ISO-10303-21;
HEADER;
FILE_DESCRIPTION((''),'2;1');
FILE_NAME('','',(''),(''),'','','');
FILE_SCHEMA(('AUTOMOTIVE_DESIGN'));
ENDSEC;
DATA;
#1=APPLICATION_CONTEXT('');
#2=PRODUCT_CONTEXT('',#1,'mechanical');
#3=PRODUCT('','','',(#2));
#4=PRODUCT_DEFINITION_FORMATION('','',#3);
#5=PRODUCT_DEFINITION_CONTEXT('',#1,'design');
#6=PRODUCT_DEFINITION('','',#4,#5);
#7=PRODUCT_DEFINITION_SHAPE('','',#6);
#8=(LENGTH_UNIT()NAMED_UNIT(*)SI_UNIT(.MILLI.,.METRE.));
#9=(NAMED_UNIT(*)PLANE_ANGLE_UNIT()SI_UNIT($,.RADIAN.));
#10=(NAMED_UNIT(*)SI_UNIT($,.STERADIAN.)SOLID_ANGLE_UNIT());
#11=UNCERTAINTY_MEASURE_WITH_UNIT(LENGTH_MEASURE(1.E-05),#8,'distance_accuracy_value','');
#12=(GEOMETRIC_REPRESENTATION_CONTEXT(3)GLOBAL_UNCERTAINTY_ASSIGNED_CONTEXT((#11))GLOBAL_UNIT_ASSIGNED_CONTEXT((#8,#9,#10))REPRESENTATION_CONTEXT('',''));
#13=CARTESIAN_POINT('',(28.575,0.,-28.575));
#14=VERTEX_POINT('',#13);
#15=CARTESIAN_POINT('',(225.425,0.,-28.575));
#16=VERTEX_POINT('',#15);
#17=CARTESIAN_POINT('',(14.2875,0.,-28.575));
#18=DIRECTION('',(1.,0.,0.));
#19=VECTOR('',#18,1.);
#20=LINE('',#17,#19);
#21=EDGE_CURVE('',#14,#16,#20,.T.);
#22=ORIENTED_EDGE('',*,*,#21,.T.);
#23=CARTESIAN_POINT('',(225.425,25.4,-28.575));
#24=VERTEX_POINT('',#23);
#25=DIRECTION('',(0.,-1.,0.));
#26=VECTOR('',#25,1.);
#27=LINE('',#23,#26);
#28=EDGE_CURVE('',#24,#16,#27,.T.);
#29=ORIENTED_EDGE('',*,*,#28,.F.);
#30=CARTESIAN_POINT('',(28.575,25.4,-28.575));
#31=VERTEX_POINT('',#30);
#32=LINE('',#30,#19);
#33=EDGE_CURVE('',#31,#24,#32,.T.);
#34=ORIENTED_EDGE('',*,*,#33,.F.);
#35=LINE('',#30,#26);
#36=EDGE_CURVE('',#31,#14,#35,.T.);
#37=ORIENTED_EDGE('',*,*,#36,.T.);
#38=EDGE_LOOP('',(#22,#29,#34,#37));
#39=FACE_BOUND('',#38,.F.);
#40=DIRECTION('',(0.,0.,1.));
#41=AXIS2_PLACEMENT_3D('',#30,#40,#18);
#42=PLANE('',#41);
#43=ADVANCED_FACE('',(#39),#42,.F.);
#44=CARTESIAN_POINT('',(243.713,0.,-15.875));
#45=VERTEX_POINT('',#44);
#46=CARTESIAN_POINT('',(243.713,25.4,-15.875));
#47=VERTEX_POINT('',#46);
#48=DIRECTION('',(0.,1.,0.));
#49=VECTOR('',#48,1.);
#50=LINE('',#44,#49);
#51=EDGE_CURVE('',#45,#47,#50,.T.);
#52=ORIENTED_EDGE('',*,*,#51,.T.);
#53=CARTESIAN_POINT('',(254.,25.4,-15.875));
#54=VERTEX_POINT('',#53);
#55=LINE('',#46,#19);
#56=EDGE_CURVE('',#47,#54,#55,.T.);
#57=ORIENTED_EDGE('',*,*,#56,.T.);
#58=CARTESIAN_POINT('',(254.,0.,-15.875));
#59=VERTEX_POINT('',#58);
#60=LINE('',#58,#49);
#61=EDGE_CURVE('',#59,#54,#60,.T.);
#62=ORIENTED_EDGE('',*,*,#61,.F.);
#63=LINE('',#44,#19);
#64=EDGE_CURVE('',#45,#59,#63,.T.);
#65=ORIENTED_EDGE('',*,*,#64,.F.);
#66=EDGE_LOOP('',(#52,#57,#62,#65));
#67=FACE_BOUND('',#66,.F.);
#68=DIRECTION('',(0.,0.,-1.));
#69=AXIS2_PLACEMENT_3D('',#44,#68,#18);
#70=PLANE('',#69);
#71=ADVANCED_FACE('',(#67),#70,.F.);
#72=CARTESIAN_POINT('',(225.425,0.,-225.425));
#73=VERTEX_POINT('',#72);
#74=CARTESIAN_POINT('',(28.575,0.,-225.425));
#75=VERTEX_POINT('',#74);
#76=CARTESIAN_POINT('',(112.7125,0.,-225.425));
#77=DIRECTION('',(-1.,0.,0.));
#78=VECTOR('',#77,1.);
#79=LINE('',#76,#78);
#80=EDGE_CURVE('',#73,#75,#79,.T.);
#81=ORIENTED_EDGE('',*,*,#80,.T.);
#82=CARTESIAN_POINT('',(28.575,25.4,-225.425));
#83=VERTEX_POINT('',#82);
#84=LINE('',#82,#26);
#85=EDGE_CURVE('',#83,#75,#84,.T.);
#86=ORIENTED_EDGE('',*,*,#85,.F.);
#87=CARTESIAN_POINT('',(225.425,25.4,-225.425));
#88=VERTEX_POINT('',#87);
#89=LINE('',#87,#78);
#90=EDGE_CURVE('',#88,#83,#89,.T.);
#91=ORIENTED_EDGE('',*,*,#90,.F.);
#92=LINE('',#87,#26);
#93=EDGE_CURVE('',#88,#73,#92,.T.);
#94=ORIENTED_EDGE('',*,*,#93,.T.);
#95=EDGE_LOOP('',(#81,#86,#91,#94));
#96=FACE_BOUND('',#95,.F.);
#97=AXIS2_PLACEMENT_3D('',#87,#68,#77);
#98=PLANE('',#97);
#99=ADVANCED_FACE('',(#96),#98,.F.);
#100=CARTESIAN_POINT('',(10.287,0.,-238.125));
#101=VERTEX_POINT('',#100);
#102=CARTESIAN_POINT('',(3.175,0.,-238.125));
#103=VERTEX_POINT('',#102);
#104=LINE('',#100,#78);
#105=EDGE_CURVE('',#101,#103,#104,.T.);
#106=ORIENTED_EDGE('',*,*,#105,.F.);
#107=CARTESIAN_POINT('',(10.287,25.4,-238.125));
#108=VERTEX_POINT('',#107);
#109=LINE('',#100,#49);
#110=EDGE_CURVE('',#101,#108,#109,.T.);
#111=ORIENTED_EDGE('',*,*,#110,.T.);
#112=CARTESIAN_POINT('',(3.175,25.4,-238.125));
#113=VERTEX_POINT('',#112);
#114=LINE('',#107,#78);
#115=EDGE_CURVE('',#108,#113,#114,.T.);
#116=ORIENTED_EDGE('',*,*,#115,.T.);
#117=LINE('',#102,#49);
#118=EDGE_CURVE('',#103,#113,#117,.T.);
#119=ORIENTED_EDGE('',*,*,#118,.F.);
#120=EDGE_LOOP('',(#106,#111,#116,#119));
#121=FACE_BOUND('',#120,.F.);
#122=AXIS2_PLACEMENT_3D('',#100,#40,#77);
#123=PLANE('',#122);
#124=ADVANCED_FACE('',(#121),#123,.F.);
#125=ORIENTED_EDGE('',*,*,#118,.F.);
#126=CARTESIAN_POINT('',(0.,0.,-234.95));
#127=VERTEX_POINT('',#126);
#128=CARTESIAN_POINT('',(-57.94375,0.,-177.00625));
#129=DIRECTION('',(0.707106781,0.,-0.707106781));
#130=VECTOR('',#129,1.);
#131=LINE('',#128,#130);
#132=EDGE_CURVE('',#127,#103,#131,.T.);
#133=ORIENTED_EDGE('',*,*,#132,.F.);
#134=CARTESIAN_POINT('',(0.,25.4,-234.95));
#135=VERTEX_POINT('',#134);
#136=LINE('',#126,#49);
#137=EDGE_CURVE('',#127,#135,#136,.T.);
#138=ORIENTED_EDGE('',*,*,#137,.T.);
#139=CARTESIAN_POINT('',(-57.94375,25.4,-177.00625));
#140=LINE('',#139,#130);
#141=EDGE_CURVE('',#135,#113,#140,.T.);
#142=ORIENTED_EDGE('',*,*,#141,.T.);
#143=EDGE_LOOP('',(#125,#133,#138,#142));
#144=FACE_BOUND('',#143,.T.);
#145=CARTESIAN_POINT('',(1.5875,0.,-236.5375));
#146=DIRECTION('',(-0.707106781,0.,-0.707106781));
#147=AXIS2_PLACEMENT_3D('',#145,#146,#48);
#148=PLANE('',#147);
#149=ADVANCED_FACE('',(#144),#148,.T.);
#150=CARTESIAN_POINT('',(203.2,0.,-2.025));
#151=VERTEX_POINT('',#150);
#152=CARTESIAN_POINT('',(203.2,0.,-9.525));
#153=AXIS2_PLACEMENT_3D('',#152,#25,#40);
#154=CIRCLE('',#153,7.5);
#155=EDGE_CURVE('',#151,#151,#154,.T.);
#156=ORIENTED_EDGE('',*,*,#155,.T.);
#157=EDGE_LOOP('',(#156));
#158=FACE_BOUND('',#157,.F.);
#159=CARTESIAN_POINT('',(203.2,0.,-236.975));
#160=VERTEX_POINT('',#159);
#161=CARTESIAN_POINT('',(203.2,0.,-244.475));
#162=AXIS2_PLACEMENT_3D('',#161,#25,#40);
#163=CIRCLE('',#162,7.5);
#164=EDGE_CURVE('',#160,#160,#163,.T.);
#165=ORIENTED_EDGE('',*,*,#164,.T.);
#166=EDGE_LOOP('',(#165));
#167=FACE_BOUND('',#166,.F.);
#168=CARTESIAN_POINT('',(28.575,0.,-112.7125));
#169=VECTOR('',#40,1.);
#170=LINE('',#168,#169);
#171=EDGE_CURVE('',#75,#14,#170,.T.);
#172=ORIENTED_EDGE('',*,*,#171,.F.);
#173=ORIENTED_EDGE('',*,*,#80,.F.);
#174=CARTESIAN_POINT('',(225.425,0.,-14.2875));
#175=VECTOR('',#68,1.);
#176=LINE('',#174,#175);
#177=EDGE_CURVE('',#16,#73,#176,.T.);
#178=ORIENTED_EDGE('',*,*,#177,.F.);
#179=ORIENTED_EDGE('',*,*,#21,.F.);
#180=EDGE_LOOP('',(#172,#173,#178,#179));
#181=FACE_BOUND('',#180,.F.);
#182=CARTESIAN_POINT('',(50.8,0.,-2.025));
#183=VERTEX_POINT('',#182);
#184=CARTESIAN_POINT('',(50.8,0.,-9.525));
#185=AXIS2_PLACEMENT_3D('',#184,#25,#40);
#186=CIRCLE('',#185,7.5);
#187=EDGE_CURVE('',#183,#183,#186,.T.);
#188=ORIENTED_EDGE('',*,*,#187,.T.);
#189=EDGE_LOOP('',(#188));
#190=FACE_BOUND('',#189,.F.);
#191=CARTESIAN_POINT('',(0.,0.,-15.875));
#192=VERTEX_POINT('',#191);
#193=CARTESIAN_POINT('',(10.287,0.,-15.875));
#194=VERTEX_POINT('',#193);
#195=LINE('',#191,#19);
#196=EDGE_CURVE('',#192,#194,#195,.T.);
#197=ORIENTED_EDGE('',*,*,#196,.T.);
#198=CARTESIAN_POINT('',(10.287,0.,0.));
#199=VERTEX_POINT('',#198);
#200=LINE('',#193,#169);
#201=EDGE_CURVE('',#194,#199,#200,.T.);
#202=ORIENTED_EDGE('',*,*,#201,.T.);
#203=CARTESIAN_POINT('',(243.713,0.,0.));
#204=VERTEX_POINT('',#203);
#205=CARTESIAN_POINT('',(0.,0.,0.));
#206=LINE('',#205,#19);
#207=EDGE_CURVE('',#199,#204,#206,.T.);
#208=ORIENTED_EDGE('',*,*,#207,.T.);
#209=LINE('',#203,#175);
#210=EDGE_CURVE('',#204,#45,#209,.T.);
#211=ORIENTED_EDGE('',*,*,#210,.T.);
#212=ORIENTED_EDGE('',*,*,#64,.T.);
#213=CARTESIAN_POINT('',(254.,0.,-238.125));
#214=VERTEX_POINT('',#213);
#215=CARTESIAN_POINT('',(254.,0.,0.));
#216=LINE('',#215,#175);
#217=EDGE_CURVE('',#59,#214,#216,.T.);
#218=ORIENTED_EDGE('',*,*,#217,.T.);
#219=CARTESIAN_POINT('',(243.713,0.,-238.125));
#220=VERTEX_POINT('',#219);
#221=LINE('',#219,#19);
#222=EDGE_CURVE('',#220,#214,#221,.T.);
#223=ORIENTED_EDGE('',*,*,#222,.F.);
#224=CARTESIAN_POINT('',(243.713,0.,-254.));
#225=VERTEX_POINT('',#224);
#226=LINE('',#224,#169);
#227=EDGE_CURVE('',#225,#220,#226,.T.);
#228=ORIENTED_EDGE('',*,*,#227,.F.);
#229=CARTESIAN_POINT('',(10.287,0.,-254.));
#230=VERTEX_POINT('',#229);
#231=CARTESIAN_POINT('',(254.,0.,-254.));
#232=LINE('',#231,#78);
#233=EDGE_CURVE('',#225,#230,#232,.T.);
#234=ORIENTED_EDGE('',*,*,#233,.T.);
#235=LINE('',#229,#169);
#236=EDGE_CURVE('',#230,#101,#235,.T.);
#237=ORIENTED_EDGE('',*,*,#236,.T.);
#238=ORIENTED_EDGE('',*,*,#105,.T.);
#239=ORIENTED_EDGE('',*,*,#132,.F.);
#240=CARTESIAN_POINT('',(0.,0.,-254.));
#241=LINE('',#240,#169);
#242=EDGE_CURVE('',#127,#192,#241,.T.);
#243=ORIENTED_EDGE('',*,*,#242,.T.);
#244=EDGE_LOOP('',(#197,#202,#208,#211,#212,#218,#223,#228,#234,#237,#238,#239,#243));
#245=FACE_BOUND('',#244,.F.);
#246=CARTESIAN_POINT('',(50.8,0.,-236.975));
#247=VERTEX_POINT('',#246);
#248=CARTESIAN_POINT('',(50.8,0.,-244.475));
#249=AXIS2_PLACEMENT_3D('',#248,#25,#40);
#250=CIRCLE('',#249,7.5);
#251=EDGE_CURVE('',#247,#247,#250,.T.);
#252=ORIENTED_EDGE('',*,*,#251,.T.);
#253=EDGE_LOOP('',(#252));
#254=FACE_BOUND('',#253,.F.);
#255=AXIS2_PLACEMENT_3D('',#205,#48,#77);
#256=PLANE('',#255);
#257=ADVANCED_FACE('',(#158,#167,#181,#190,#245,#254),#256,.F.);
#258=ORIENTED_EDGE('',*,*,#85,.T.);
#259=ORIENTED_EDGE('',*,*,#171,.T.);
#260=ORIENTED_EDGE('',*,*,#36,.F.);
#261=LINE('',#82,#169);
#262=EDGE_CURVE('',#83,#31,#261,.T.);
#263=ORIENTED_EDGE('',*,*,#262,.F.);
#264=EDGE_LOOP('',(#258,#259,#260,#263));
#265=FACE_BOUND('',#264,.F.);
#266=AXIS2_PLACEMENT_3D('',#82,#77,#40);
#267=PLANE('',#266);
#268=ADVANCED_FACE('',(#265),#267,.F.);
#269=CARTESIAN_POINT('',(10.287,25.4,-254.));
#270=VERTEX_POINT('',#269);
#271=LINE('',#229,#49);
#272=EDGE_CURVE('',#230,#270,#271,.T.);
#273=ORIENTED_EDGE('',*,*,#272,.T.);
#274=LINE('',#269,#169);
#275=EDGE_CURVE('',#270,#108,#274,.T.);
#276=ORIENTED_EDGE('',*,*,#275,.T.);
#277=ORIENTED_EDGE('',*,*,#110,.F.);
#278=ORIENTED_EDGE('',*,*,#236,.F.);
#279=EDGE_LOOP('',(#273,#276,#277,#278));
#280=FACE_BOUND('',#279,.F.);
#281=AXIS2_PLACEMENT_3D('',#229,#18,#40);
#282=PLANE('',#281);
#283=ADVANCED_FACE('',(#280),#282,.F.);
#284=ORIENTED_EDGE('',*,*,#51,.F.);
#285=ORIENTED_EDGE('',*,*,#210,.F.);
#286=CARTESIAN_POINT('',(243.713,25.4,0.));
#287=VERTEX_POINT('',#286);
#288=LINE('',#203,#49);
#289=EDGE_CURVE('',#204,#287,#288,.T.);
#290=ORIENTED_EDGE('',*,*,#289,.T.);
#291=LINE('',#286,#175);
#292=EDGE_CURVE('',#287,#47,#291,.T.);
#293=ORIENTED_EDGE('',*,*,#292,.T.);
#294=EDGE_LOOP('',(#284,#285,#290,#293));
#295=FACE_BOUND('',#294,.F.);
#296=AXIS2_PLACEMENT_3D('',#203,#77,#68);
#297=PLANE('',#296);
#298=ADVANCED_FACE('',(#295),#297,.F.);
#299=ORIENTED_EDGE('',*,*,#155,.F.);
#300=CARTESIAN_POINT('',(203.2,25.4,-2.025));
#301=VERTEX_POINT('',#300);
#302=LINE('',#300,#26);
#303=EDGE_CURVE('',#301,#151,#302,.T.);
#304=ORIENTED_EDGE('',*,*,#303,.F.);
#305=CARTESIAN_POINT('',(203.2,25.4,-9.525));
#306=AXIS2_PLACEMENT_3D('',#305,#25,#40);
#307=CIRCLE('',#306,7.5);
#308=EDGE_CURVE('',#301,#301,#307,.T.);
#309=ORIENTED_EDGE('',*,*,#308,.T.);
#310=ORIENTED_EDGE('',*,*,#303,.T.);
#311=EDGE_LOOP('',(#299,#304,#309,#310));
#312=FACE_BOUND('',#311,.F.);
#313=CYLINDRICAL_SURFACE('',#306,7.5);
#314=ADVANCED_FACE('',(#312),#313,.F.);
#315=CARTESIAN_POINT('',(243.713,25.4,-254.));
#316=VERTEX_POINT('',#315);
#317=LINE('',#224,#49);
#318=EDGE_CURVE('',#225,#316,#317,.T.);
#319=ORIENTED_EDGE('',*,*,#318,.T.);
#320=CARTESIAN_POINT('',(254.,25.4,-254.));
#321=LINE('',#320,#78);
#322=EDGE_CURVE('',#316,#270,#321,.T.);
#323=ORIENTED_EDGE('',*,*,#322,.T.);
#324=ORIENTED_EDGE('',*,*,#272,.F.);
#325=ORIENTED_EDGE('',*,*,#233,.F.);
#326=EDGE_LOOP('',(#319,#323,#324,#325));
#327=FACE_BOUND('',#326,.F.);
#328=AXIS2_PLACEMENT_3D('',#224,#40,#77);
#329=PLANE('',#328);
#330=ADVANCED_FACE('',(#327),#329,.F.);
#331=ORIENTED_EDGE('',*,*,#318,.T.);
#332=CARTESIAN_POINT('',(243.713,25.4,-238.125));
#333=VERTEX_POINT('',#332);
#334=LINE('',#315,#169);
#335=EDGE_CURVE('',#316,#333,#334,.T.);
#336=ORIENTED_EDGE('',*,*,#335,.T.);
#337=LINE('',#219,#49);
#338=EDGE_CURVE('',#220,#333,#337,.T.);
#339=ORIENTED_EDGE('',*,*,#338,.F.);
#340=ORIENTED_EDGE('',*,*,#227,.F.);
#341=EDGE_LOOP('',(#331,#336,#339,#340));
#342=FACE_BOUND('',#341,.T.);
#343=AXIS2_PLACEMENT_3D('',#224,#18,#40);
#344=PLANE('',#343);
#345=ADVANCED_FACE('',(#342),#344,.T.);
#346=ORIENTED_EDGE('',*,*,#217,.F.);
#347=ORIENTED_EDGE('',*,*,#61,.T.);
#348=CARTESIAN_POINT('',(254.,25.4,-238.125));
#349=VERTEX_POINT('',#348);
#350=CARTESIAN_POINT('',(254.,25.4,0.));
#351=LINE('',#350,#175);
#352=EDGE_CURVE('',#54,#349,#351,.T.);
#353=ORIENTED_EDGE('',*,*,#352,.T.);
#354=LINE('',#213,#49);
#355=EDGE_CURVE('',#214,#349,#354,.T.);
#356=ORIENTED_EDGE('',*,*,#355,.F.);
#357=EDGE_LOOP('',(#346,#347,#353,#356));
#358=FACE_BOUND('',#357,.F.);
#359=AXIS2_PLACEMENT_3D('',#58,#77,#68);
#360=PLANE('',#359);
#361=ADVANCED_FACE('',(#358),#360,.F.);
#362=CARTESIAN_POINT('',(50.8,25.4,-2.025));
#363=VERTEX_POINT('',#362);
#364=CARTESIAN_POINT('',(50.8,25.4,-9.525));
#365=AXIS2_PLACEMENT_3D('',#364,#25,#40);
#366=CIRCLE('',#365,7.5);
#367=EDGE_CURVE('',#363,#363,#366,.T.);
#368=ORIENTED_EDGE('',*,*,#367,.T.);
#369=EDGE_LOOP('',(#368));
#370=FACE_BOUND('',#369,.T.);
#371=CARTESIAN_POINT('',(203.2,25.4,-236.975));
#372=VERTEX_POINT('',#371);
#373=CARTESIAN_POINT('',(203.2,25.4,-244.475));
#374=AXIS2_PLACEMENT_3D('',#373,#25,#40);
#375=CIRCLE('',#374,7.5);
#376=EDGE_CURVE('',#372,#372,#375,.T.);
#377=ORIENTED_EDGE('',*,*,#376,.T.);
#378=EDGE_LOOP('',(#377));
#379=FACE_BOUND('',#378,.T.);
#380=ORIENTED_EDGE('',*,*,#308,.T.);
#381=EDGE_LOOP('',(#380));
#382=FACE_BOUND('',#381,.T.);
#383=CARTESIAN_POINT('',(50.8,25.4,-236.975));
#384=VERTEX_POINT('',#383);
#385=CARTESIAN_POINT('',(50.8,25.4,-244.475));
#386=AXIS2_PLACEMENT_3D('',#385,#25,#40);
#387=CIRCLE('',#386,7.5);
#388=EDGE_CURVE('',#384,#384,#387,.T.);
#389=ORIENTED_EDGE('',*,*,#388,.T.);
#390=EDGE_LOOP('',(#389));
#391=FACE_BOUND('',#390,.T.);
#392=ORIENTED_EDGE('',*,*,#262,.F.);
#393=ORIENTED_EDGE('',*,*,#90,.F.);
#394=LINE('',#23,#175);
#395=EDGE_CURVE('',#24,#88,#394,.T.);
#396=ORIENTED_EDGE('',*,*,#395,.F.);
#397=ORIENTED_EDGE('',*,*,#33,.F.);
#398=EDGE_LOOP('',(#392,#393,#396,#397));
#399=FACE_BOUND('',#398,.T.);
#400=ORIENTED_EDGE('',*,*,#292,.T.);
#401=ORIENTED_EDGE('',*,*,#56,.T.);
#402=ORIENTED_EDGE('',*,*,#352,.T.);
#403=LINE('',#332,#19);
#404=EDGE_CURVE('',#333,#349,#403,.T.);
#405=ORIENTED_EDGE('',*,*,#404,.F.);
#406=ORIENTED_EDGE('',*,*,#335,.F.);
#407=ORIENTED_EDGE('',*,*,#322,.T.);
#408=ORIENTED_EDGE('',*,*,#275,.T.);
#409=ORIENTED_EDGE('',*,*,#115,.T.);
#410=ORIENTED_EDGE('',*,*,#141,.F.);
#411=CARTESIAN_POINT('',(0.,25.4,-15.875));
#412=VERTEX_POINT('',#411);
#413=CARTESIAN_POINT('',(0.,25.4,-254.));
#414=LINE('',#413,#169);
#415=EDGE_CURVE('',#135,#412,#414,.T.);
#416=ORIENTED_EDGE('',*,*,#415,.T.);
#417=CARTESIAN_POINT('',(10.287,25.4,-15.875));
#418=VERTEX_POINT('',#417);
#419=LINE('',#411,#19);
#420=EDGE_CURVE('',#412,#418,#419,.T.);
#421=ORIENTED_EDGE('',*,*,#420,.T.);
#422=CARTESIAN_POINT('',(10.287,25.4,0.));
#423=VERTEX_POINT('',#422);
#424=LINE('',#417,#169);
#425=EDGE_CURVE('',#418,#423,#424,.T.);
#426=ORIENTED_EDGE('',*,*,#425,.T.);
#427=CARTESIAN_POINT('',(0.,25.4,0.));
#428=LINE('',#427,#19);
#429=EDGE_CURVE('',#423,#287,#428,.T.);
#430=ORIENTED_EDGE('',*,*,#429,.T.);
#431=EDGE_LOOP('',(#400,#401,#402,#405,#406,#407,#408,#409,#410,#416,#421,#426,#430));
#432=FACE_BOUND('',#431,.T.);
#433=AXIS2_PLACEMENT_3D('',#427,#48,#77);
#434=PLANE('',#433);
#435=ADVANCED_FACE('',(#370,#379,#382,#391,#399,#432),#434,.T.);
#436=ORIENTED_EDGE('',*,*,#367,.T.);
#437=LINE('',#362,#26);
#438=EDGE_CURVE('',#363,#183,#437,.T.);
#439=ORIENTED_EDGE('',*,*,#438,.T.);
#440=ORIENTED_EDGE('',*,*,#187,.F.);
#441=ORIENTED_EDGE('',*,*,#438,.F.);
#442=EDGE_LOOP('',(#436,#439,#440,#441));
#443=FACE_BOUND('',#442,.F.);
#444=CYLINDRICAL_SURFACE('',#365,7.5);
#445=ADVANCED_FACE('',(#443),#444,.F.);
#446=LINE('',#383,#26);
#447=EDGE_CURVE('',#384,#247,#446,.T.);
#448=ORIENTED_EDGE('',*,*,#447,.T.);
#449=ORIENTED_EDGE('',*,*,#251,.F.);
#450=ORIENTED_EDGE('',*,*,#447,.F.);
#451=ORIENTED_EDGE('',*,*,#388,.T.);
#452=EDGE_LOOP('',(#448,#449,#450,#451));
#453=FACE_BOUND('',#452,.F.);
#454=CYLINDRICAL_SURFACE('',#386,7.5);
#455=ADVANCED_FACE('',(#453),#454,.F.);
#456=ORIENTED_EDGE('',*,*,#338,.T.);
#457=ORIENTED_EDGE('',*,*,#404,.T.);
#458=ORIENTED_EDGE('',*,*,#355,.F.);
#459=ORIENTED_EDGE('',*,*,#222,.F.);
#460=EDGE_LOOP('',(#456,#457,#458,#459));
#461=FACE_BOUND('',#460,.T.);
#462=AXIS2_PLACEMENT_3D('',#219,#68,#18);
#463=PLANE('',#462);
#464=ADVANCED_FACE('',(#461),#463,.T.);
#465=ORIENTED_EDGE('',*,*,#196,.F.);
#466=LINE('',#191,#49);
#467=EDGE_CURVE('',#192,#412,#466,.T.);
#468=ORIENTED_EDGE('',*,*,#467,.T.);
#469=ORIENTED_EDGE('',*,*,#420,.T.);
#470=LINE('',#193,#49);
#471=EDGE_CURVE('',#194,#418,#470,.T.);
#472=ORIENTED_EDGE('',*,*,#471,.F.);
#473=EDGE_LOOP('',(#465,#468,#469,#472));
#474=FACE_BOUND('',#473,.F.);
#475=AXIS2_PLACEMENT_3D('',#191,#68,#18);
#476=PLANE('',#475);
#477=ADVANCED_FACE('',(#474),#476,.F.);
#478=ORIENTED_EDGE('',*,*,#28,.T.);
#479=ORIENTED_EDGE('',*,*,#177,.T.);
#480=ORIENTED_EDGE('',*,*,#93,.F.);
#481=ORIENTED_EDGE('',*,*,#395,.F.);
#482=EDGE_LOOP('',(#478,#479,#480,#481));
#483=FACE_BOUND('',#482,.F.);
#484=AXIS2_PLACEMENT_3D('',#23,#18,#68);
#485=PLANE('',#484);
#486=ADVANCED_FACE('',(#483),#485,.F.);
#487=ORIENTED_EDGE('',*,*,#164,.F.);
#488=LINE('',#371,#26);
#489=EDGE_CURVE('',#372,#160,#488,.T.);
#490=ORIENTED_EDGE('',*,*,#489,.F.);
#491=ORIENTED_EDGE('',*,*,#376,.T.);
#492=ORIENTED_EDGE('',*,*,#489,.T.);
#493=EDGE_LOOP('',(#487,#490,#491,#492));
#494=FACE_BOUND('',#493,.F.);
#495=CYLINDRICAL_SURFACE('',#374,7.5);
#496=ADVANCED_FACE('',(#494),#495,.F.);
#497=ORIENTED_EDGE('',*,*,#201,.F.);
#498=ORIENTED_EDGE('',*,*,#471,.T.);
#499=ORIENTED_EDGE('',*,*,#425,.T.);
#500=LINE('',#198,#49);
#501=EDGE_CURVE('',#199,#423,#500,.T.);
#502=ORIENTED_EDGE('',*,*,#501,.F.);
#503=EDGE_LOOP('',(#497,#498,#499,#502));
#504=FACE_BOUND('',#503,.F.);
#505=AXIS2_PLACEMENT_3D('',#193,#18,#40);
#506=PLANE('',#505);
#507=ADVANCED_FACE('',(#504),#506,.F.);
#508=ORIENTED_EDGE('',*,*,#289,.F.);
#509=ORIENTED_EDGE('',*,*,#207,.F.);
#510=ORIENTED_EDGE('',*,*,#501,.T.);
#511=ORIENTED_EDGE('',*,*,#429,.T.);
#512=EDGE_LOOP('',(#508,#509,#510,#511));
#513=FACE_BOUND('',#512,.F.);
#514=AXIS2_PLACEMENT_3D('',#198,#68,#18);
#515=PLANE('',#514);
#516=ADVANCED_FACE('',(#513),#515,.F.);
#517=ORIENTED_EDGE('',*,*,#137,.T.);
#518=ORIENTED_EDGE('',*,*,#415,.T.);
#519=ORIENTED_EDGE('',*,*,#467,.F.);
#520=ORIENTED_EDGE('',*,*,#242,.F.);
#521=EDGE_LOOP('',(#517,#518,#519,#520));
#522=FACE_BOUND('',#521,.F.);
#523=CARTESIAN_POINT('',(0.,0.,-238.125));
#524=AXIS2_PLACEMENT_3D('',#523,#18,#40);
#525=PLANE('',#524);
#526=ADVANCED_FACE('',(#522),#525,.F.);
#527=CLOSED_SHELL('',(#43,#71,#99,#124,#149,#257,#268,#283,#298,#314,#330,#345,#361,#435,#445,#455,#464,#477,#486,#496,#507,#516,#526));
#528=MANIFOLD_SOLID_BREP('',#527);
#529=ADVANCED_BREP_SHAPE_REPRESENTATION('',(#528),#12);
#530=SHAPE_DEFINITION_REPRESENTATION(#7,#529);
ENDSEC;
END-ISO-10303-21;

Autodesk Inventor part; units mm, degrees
ref_plane "YZ Plane" through (0, 0, 0) normal (1, 0, 0) x (0, 1, 0)
ref_plane "XZ Plane" through (0, 0, 0) normal (0, 1, 0) x (-1, 0, 0)
ref_plane "XY Plane" through (0, 0, 0) normal (0, 0, 1) x (1, 0, 0)
sketch "Sketch1" plane through (0, 0, 0) normal (0, 1, 0) x (-1, 0, 0)
  line L0 (0, 0) -> (-254, 0)
  line L1 (-254, 0) -> (-254, -254)
  line L2 (-254, -254) -> (0, -254)
  line L3 (0, -254) -> (0, 0)
  line L4 (0, -15.875) -> (-10.287, -15.875)
  line L5 (-10.287, -15.875) -> (-10.287, 0)
  line L6 (-243.713, 0) -> (-243.713, -15.875)
  line L7 (-243.713, -15.875) -> (-254, -15.875)
  line L8 (-243.713, -254) -> (-243.713, -238.125)
  line L9 (-243.713, -238.125) -> (-254, -238.125)
  line L10 (-10.287, -254) -> (-10.287, -238.125)
  line L11 (-10.287, -238.125) -> (0, -238.125)
  dimension "d0" = 254
  dimension "d1" = 254
  dimension "d13" = 10.287
  dimension "d14" = 10.287
  dimension "d15" = 15.875
  dimension "d16" = 15.875
extrude "Extrusion1" add sketch "Sketch1" along normal blind 25.4 contours L5 L4 L3 L11 L10 L2 L8 L9 L1 L7 L6 L0
sketch "Sketch2" plane through (0, 25.4, 0) normal (0, 1, 0) x (1, 0, 0)
  line L0 (28.575, 28.575) -> (225.425, 28.575)
  line L1 (225.425, 28.575) -> (225.425, 225.425)
  line L2 (225.425, 225.425) -> (28.575, 225.425)
  line L3 (28.575, 225.425) -> (28.575, 28.575)
  line L4 (0, 15.875) -> (10.287, 15.875) projected
  line L5 (10.287, 15.875) -> (10.287, 0) projected
  line L6 (10.287, 0) -> (243.713, 0) projected
  line L7 (243.713, 0) -> (243.713, 15.875) projected
  line L8 (243.713, 15.875) -> (254, 15.875) projected
  line L9 (254, 15.875) -> (254, 238.125) projected
  line L10 (254, 238.125) -> (243.713, 238.125) projected
  line L11 (243.713, 238.125) -> (243.713, 254) projected
  line L12 (243.713, 254) -> (10.287, 254) projected
  line L13 (10.287, 254) -> (10.287, 238.125) projected
  line L14 (10.287, 238.125) -> (0, 238.125) projected
  line L15 (0, 238.125) -> (0, 15.875) projected
  point P0 (0, 0)
  point P1 (127, 28.575)
  point P2 (127, 0)
  point P3 (28.575, 127)
  point P4 (0, 127)
  dimension "d9" = 196.85
  dimension "d10" = 196.85
extrude "Extrusion2" cut sketch "Sketch2" against normal through all contours L3 L2 L1 L0
sketch "Sketch3" plane through (0, 25.4, 0) normal (0, 1, 0) x (1, 0, 0)
  circle A0 centre (50.8, 9.525) radius 7.5 projected
  circle A1 centre (50.8, 244.475) radius 7.5 projected
  circle A2 centre (203.2, 244.475) radius 4 projected
  circle A3 centre (203.2, 244.475) radius 7.5 projected
  circle A4 centre (203.2, 9.525) radius 7.5 projected
  point P0 (0, 0)
hole "Hole1" at (50.8, 25.4, -9.525) at (50.8, 25.4, -244.475) at (203.2, 25.4, -9.525) at (203.2, 25.4, -244.475) direction (0, -1, 0) diameter 15 end through all
chamfer "Chamfer1" distance 3.175 angle 45 1 edges at (0, 12.7, -238.125)
equation "\"d14\" = d13"
equation "\"d9\" = d10"
properties part number "Carriage Sheet"
